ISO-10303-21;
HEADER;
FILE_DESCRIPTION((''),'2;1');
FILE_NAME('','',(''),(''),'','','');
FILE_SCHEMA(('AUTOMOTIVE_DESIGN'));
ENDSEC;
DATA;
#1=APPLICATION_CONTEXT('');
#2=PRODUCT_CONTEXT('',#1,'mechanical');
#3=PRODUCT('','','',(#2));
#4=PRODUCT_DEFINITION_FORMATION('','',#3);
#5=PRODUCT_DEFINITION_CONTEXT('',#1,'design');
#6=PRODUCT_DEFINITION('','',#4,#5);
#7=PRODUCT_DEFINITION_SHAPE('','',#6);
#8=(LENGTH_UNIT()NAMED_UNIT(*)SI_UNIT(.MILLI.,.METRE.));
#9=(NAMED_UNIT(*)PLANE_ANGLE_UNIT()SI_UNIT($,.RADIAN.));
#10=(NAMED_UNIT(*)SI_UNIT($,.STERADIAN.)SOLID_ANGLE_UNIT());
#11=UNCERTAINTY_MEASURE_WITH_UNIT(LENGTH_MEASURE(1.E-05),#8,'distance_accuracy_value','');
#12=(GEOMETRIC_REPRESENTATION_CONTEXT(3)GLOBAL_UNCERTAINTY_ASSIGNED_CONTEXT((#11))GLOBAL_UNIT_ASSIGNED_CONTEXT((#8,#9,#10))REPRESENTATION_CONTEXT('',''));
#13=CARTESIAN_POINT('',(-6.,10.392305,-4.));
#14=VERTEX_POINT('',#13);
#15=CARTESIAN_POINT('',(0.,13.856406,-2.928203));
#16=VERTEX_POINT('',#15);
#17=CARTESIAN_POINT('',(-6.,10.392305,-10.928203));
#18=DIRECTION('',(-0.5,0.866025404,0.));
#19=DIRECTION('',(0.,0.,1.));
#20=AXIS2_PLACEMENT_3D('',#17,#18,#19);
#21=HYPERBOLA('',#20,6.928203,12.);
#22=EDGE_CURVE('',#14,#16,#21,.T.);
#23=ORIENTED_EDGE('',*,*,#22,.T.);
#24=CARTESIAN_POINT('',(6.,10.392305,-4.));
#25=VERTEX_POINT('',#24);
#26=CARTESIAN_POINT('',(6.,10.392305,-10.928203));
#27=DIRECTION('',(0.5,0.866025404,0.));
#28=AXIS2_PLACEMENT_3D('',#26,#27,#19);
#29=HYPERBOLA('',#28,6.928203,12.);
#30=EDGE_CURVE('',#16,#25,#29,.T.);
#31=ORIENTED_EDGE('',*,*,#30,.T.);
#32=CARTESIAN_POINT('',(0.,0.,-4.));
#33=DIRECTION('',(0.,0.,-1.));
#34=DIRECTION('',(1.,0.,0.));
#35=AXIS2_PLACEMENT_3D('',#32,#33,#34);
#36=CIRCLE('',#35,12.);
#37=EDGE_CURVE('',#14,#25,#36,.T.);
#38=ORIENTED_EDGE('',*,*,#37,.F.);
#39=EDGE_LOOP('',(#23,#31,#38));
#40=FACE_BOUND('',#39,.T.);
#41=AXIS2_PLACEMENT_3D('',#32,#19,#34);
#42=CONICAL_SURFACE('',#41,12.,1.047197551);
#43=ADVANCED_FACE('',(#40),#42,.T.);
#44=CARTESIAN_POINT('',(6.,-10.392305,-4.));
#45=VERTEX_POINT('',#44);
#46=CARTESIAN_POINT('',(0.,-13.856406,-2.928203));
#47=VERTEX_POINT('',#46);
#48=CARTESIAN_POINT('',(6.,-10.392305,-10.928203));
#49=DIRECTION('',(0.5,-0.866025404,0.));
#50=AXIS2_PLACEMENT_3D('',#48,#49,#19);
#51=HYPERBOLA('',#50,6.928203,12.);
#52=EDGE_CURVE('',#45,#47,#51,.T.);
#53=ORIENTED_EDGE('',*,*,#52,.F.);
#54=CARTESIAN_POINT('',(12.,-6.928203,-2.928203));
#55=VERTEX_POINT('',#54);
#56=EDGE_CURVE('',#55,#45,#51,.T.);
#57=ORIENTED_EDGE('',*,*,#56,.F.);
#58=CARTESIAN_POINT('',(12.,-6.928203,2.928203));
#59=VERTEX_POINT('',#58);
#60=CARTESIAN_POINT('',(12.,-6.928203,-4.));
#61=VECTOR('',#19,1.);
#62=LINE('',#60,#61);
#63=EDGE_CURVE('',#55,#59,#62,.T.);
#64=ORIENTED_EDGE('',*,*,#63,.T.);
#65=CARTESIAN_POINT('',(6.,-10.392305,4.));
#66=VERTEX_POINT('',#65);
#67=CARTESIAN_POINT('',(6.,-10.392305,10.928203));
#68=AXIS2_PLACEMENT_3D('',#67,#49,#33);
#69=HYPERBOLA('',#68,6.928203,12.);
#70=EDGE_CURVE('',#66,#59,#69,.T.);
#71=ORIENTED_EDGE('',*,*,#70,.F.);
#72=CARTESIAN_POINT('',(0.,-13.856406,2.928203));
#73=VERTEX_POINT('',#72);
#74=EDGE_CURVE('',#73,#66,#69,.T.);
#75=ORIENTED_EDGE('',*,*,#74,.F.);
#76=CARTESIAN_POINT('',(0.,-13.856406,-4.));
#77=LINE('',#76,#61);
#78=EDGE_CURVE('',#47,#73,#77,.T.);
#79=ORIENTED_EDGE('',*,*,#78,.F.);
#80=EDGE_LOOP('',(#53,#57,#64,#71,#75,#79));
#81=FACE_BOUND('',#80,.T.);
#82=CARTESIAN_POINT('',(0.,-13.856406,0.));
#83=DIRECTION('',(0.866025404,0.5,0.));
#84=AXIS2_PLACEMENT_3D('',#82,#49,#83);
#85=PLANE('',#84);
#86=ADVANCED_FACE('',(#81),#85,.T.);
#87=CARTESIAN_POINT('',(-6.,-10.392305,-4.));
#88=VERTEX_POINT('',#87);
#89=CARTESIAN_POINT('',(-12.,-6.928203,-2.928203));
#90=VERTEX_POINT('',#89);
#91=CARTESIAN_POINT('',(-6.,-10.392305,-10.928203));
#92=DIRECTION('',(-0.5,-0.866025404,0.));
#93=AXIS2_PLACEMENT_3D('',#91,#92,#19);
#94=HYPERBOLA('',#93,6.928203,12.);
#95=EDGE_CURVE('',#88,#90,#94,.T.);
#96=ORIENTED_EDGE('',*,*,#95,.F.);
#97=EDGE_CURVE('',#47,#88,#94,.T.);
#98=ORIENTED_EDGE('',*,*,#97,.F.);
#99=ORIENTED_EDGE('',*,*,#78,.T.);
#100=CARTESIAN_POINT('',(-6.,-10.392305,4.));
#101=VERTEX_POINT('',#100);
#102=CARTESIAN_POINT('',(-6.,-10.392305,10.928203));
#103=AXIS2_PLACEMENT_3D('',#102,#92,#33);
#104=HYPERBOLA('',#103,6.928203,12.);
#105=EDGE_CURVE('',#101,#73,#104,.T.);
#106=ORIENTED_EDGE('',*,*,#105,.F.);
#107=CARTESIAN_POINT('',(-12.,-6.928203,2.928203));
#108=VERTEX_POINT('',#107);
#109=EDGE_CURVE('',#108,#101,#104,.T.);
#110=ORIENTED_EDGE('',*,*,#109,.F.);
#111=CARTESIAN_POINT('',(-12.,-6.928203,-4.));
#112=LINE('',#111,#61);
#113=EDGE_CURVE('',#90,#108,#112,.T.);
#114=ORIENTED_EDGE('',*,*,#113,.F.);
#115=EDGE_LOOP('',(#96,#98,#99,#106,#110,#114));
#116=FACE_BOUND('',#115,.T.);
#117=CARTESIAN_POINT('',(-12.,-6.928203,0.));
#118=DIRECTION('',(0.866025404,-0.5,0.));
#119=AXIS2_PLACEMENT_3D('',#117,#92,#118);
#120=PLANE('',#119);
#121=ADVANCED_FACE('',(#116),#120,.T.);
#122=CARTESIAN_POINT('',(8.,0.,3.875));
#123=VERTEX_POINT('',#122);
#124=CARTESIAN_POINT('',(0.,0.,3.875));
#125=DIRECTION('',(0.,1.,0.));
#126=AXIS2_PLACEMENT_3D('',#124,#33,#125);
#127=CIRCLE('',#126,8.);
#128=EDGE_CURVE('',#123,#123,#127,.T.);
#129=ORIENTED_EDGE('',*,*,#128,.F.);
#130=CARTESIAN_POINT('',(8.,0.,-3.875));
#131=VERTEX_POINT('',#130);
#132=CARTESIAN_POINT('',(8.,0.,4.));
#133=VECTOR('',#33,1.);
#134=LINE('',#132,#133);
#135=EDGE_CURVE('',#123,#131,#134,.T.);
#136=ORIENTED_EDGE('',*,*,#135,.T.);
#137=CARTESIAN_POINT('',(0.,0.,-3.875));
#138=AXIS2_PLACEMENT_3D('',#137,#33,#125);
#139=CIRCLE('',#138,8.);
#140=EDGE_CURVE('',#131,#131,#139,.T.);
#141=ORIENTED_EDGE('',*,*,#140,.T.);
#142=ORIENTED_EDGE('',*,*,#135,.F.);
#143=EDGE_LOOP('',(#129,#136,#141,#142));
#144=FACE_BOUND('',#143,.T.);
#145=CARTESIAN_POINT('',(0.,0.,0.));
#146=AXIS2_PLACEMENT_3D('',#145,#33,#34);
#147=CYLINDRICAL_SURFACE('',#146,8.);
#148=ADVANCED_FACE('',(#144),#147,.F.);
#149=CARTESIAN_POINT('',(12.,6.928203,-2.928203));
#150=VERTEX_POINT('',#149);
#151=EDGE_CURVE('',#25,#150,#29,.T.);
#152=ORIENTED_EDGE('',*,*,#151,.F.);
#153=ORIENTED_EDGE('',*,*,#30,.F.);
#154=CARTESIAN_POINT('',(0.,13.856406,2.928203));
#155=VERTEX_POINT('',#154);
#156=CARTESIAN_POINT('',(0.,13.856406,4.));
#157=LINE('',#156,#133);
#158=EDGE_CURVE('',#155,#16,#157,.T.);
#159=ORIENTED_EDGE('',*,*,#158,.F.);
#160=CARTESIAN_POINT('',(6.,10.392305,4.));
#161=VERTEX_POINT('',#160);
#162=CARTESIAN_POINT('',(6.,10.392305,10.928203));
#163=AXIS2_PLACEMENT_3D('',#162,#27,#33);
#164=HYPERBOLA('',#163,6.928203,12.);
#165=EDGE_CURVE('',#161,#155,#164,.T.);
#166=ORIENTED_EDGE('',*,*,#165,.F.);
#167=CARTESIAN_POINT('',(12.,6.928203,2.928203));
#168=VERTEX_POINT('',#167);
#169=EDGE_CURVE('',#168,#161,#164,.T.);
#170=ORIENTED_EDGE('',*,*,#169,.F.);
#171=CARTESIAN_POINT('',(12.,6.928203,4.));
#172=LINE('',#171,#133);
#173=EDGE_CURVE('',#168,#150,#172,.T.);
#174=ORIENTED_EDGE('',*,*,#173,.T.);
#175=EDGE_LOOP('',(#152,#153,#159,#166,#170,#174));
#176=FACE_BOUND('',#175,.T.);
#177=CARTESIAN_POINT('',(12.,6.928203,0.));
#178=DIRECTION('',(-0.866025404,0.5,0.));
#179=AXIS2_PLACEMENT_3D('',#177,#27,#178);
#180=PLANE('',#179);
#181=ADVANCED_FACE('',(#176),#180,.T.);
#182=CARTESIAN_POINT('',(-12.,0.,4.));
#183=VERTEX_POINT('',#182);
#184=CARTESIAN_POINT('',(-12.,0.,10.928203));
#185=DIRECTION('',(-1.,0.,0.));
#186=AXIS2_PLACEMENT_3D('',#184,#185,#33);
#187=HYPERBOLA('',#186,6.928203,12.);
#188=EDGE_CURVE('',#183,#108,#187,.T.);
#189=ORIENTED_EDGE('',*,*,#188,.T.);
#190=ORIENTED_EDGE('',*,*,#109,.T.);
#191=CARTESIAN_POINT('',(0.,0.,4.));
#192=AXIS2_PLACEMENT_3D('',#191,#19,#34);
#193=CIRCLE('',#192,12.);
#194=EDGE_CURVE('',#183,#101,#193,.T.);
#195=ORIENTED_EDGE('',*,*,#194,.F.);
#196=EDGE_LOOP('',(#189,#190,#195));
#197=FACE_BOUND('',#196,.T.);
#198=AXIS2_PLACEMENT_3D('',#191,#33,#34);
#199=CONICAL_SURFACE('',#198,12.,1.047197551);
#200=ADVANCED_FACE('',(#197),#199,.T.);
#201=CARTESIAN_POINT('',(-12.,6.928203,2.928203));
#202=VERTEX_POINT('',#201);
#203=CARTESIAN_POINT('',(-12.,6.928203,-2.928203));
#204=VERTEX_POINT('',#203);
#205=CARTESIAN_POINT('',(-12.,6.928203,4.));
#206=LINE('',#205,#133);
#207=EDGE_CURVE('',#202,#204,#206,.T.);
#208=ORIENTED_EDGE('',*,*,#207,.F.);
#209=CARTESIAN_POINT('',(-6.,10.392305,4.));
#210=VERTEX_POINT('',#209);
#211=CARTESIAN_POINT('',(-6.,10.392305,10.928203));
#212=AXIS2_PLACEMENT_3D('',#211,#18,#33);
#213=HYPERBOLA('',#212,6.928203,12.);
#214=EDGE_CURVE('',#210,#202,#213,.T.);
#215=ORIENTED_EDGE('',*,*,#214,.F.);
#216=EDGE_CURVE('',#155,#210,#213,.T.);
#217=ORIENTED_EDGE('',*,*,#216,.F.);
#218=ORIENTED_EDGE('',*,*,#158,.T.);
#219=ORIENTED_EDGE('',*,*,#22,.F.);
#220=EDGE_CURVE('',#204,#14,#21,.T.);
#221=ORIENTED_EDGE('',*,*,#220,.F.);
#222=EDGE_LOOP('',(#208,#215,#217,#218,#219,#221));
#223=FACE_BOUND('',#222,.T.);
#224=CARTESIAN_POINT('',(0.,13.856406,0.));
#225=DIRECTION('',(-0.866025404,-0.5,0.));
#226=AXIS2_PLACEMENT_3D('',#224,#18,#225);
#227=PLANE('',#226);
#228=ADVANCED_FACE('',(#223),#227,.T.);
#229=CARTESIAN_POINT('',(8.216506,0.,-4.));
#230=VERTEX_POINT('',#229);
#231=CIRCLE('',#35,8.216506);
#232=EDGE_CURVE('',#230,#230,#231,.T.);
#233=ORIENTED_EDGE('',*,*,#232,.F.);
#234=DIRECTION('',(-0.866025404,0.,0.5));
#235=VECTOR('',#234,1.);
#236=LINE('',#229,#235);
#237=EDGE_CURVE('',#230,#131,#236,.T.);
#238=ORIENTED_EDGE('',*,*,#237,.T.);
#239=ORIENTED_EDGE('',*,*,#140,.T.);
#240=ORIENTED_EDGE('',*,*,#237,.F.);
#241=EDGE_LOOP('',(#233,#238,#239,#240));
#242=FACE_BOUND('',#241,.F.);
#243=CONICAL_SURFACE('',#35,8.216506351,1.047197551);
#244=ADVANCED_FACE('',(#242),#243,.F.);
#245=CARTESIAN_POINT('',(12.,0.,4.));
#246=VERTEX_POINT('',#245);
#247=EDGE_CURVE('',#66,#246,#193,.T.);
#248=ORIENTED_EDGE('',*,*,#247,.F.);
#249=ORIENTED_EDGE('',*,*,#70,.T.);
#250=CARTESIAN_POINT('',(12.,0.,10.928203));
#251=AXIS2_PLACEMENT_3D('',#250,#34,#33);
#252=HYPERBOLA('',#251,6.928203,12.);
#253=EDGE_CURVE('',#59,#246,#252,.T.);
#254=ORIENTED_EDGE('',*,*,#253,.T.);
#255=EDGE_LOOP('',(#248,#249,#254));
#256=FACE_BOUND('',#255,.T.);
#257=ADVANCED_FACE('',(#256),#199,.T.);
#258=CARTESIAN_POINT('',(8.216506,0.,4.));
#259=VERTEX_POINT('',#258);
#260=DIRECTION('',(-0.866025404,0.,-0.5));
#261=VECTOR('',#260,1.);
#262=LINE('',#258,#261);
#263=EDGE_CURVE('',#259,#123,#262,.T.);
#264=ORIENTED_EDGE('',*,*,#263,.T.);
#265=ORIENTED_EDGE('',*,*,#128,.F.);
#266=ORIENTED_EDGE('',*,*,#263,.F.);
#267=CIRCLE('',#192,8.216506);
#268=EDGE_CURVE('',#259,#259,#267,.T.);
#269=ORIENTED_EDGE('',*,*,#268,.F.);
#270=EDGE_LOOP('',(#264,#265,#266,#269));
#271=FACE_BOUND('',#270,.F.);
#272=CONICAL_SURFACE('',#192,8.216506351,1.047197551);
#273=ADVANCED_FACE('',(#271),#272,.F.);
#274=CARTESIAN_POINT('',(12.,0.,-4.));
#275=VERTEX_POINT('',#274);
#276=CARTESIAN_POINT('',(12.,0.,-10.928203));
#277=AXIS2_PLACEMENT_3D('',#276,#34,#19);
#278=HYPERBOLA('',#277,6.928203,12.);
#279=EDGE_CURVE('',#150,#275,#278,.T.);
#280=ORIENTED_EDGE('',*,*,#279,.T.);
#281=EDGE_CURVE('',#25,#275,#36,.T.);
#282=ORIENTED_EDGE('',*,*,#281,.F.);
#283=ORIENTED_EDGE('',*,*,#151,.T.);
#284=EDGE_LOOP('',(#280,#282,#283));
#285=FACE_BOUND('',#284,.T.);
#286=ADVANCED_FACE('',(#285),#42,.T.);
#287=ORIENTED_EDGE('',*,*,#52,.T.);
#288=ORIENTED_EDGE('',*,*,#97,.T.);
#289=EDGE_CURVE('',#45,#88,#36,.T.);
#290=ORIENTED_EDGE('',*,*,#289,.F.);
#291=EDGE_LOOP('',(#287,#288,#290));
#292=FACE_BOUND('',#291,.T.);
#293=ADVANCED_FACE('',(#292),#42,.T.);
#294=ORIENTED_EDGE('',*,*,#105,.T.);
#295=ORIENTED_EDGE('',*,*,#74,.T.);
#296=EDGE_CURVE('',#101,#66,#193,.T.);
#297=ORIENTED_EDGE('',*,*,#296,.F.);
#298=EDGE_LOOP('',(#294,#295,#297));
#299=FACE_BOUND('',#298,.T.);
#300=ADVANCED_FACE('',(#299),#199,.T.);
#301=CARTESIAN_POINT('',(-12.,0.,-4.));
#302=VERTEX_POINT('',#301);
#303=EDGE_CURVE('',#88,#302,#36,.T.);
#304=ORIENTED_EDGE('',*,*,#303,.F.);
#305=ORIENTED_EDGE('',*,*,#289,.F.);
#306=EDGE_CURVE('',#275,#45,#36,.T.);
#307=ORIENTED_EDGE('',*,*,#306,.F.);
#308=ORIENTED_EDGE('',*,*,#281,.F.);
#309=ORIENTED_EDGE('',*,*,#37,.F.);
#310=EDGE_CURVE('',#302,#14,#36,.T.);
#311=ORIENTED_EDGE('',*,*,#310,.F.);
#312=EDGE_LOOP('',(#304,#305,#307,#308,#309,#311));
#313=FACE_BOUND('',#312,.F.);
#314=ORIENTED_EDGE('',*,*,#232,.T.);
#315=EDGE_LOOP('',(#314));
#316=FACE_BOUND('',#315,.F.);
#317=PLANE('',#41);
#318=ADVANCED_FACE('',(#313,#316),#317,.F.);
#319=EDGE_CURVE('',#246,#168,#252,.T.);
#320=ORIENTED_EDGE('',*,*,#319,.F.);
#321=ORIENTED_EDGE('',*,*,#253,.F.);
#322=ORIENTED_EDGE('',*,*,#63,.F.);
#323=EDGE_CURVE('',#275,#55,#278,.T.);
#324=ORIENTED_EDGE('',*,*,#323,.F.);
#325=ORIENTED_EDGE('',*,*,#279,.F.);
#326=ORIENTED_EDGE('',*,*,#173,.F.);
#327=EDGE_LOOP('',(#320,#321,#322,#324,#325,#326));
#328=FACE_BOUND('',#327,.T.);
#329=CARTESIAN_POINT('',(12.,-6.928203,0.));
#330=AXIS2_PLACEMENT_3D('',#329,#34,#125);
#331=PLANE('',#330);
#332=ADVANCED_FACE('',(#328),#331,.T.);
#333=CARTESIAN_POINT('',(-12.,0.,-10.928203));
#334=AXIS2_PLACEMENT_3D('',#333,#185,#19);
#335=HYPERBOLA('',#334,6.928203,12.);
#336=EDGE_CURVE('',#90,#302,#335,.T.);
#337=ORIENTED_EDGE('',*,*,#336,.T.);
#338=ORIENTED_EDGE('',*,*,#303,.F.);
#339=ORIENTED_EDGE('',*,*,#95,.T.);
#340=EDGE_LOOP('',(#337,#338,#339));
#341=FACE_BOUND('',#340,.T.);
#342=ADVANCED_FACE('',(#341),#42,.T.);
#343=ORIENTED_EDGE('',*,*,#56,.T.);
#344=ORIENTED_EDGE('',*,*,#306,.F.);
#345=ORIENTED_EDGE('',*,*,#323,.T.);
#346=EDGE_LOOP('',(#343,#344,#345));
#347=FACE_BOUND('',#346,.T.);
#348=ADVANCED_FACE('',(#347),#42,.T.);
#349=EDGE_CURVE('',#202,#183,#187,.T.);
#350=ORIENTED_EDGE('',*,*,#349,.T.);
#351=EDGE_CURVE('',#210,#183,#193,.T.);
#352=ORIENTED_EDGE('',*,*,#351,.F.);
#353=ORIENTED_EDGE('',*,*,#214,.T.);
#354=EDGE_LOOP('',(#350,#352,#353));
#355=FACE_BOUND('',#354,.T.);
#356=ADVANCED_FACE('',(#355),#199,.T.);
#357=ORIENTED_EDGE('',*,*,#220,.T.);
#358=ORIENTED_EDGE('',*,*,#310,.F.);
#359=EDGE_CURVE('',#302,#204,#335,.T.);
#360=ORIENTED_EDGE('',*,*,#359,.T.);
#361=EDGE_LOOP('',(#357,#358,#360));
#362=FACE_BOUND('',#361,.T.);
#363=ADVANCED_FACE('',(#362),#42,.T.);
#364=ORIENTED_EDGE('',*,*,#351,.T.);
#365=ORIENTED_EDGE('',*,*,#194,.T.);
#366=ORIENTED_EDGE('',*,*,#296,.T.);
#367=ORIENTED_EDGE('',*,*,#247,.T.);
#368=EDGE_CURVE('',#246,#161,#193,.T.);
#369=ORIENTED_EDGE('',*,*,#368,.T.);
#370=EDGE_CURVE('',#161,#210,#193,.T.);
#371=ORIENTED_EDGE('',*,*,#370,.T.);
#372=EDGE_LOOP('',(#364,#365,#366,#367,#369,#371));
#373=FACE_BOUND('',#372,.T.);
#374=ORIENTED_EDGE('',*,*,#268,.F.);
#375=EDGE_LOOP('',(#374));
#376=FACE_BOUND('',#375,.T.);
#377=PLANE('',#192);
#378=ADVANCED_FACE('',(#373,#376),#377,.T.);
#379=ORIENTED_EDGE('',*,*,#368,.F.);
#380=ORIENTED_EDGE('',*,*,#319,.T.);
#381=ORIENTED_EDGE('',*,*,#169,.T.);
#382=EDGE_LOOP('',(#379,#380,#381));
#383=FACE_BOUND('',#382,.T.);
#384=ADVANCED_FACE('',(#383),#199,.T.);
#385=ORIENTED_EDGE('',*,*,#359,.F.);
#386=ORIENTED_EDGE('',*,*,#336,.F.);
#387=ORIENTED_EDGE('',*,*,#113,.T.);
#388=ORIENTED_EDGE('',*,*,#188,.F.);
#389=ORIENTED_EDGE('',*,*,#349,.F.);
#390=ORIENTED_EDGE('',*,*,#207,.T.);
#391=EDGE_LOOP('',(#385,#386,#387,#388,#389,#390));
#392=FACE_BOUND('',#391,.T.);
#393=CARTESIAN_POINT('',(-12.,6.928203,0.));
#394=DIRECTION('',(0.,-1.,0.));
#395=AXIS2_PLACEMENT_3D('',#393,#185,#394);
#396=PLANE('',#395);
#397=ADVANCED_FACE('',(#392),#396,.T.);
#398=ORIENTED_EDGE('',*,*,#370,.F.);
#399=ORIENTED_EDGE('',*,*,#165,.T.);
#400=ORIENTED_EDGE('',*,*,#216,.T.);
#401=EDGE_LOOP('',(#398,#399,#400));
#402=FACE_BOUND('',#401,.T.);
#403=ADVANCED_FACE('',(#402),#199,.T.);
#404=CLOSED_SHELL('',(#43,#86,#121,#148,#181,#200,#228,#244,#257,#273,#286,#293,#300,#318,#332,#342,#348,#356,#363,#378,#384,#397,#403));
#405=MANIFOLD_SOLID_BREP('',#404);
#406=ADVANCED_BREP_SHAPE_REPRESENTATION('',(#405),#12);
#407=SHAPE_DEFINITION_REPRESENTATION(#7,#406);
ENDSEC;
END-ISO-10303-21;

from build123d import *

# Parameters (mm, degrees)
SKETCH3_R                    = 8
BOSS_EXTRUDE1_DEPTH          = 4
SKETCH4_OUTSIDE_W            = 68.146
SKETCH4_OUTSIDE_H            = 71.858
SKETCH4_OUTSIDE_R            = 12
CUT_EXTRUDE1_DEPTH           = 10
CUT_EXTRUDE1_DRAFT           = -60
SKETCH4_OUTSIDE_R_2          = 8.216506351
CUT_EXTRUDE1_PROFILE_2_DEPTH = 10
CUT_EXTRUDE1_PROFILE_2_DRAFT = -60
MIRROR1_COPY_1_SKETCH_W      = 68.146
MIRROR1_COPY_1_SKETCH_H      = 71.858
MIRROR1_COPY_1_SKETCH_R      = 12
MIRROR1_COPY_1_DEPTH         = 10
MIRROR1_COPY_1_DRAFT         = -60
MIRROR1_COPY_2_SKETCH_R      = 8.216506351
MIRROR1_COPY_2_DEPTH         = 10
MIRROR1_COPY_2_DRAFT         = -60
MIRROR1_COPY_3_SKETCH_R      = 8.216506351
MIRROR1_COPY_3_DEPTH         = 10
MIRROR1_COPY_3_DRAFT         = -60


with BuildPart() as part:
    # Sketch3 → Boss-Extrude1 (new, symmetric)
    with BuildSketch(Plane.XY):
        Polygon((-12, 6.92820323), (-12, -6.92820323), (0, -13.856406461), (12, -6.92820323), (12, 6.92820323), (0, 13.856406461), align=None)
        Circle(SKETCH3_R, mode=Mode.SUBTRACT)
    extrude(amount=BOSS_EXTRUDE1_DEPTH, both=True)


with BuildPart() as cut_extrude1_tool:
    # Sketch4 outside → Cut-Extrude1 (with draft: the straight prism first)
    with BuildSketch(Plane.XY.offset(4)):
        Rectangle(SKETCH4_OUTSIDE_W, SKETCH4_OUTSIDE_H)
        Circle(SKETCH4_OUTSIDE_R, mode=Mode.SUBTRACT)
    extrude(amount=-CUT_EXTRUDE1_DEPTH)
    # Cut-Extrude1: the draft: its side faces are tilted about the plane it starts from
    cut_extrude1_sides = [cut_extrude1_tool.faces().sort_by_distance(p)[0] for p in [
        (0, -35.929, -1),
        (34.073, 0, -1),
        (0, 35.929, -1),
        (-34.073, 0, -1),
        (-12, 0, -1),
    ]]
    draft(cut_extrude1_sides, Plane.XY.offset(4), CUT_EXTRUDE1_DRAFT)


with BuildPart() as part_1:
    add(part.part)

    # Cut-Extrude1: cut by cut_extrude1_tool
    add(cut_extrude1_tool.part, mode=Mode.SUBTRACT)


with BuildPart() as cut_extrude1_profile_2_tool:
    # Sketch4 outside → Cut-Extrude1 profile 2 (with draft: the straight prism first)
    with BuildSketch(Plane.XY.offset(4)):
        Circle(SKETCH4_OUTSIDE_R_2)
    extrude(amount=-CUT_EXTRUDE1_PROFILE_2_DEPTH)
    # Cut-Extrude1 profile 2: the draft: its side faces are tilted about the plane it starts from
    cut_extrude1_profile_2_sides = [cut_extrude1_profile_2_tool.faces().sort_by_distance(p)[0] for p in [
        (-8.216506351, 0, -1),
    ]]
    draft(cut_extrude1_profile_2_sides, Plane.XY.offset(4), CUT_EXTRUDE1_PROFILE_2_DRAFT)


with BuildPart() as part_2:
    add(part_1.part)

    # Cut-Extrude1 profile 2: cut by cut_extrude1_profile_2_tool
    add(cut_extrude1_profile_2_tool.part, mode=Mode.SUBTRACT)


with BuildPart() as mirror1_copy_1_tool:
    # Mirror1 copy 1 sketch → Mirror1 copy 1 (with draft: the straight prism first)
    with BuildSketch(Plane(origin=(0, 0, -4), x_dir=(1, 0, 0), z_dir=(0, 0, -1))):
        Rectangle(MIRROR1_COPY_1_SKETCH_W, MIRROR1_COPY_1_SKETCH_H)
        Circle(MIRROR1_COPY_1_SKETCH_R, mode=Mode.SUBTRACT)
    extrude(amount=-MIRROR1_COPY_1_DEPTH)
    # Mirror1 copy 1: the draft: its side faces are tilted about the plane it starts from
    mirror1_copy_1_sides = [mirror1_copy_1_tool.faces().sort_by_distance(p)[0] for p in [
        (0, -35.929, 1),
        (34.073, 0, 1),
        (0, 35.929, 1),
        (-34.073, 0, 1),
        (-12, 0, 1),
    ]]
    draft(mirror1_copy_1_sides, Plane(origin=(0, 0, -4), x_dir=(1, 0, 0), z_dir=(0, 0, -1)), MIRROR1_COPY_1_DRAFT)


with BuildPart() as part_3:
    add(part_2.part)

    # Mirror1 copy 1: cut by mirror1_copy_1_tool
    add(mirror1_copy_1_tool.part, mode=Mode.SUBTRACT)


with BuildPart() as mirror1_copy_2_tool:
    # Mirror1 copy 2 sketch → Mirror1 copy 2 (with draft: the straight prism first)
    with BuildSketch(Plane(origin=(0, 0, -4), x_dir=(1, 0, 0), z_dir=(0, 0, -1))):
        Circle(MIRROR1_COPY_2_SKETCH_R)
    extrude(amount=-MIRROR1_COPY_2_DEPTH)
    # Mirror1 copy 2: the draft: its side faces are tilted about the plane it starts from
    mirror1_copy_2_sides = [mirror1_copy_2_tool.faces().sort_by_distance(p)[0] for p in [
        (-8.216506351, 0, 1),
    ]]
    draft(mirror1_copy_2_sides, Plane(origin=(0, 0, -4), x_dir=(1, 0, 0), z_dir=(0, 0, -1)), MIRROR1_COPY_2_DRAFT)


with BuildPart() as part_4:
    add(part_3.part)

    # Mirror1 copy 2: cut by mirror1_copy_2_tool
    add(mirror1_copy_2_tool.part, mode=Mode.SUBTRACT)


with BuildPart() as mirror1_copy_3_tool:
    # Mirror1 copy 3 sketch → Mirror1 copy 3 (with draft: the straight prism first)
    with BuildSketch(Plane(origin=(0, 0, -4), x_dir=(1, 0, 0), z_dir=(0, 0, -1))):
        Circle(MIRROR1_COPY_3_SKETCH_R)
    extrude(amount=-MIRROR1_COPY_3_DEPTH)
    # Mirror1 copy 3: the draft: its side faces are tilted about the plane it starts from
    mirror1_copy_3_sides = [mirror1_copy_3_tool.faces().sort_by_distance(p)[0] for p in [
        (-8.216506351, 0, 1),
    ]]
    draft(mirror1_copy_3_sides, Plane(origin=(0, 0, -4), x_dir=(1, 0, 0), z_dir=(0, 0, -1)), MIRROR1_COPY_3_DRAFT)


with BuildPart() as part_5:
    add(part_4.part)

    # Mirror1 copy 3: cut by mirror1_copy_3_tool
    add(mirror1_copy_3_tool.part, mode=Mode.SUBTRACT)


solid = part_5.part
